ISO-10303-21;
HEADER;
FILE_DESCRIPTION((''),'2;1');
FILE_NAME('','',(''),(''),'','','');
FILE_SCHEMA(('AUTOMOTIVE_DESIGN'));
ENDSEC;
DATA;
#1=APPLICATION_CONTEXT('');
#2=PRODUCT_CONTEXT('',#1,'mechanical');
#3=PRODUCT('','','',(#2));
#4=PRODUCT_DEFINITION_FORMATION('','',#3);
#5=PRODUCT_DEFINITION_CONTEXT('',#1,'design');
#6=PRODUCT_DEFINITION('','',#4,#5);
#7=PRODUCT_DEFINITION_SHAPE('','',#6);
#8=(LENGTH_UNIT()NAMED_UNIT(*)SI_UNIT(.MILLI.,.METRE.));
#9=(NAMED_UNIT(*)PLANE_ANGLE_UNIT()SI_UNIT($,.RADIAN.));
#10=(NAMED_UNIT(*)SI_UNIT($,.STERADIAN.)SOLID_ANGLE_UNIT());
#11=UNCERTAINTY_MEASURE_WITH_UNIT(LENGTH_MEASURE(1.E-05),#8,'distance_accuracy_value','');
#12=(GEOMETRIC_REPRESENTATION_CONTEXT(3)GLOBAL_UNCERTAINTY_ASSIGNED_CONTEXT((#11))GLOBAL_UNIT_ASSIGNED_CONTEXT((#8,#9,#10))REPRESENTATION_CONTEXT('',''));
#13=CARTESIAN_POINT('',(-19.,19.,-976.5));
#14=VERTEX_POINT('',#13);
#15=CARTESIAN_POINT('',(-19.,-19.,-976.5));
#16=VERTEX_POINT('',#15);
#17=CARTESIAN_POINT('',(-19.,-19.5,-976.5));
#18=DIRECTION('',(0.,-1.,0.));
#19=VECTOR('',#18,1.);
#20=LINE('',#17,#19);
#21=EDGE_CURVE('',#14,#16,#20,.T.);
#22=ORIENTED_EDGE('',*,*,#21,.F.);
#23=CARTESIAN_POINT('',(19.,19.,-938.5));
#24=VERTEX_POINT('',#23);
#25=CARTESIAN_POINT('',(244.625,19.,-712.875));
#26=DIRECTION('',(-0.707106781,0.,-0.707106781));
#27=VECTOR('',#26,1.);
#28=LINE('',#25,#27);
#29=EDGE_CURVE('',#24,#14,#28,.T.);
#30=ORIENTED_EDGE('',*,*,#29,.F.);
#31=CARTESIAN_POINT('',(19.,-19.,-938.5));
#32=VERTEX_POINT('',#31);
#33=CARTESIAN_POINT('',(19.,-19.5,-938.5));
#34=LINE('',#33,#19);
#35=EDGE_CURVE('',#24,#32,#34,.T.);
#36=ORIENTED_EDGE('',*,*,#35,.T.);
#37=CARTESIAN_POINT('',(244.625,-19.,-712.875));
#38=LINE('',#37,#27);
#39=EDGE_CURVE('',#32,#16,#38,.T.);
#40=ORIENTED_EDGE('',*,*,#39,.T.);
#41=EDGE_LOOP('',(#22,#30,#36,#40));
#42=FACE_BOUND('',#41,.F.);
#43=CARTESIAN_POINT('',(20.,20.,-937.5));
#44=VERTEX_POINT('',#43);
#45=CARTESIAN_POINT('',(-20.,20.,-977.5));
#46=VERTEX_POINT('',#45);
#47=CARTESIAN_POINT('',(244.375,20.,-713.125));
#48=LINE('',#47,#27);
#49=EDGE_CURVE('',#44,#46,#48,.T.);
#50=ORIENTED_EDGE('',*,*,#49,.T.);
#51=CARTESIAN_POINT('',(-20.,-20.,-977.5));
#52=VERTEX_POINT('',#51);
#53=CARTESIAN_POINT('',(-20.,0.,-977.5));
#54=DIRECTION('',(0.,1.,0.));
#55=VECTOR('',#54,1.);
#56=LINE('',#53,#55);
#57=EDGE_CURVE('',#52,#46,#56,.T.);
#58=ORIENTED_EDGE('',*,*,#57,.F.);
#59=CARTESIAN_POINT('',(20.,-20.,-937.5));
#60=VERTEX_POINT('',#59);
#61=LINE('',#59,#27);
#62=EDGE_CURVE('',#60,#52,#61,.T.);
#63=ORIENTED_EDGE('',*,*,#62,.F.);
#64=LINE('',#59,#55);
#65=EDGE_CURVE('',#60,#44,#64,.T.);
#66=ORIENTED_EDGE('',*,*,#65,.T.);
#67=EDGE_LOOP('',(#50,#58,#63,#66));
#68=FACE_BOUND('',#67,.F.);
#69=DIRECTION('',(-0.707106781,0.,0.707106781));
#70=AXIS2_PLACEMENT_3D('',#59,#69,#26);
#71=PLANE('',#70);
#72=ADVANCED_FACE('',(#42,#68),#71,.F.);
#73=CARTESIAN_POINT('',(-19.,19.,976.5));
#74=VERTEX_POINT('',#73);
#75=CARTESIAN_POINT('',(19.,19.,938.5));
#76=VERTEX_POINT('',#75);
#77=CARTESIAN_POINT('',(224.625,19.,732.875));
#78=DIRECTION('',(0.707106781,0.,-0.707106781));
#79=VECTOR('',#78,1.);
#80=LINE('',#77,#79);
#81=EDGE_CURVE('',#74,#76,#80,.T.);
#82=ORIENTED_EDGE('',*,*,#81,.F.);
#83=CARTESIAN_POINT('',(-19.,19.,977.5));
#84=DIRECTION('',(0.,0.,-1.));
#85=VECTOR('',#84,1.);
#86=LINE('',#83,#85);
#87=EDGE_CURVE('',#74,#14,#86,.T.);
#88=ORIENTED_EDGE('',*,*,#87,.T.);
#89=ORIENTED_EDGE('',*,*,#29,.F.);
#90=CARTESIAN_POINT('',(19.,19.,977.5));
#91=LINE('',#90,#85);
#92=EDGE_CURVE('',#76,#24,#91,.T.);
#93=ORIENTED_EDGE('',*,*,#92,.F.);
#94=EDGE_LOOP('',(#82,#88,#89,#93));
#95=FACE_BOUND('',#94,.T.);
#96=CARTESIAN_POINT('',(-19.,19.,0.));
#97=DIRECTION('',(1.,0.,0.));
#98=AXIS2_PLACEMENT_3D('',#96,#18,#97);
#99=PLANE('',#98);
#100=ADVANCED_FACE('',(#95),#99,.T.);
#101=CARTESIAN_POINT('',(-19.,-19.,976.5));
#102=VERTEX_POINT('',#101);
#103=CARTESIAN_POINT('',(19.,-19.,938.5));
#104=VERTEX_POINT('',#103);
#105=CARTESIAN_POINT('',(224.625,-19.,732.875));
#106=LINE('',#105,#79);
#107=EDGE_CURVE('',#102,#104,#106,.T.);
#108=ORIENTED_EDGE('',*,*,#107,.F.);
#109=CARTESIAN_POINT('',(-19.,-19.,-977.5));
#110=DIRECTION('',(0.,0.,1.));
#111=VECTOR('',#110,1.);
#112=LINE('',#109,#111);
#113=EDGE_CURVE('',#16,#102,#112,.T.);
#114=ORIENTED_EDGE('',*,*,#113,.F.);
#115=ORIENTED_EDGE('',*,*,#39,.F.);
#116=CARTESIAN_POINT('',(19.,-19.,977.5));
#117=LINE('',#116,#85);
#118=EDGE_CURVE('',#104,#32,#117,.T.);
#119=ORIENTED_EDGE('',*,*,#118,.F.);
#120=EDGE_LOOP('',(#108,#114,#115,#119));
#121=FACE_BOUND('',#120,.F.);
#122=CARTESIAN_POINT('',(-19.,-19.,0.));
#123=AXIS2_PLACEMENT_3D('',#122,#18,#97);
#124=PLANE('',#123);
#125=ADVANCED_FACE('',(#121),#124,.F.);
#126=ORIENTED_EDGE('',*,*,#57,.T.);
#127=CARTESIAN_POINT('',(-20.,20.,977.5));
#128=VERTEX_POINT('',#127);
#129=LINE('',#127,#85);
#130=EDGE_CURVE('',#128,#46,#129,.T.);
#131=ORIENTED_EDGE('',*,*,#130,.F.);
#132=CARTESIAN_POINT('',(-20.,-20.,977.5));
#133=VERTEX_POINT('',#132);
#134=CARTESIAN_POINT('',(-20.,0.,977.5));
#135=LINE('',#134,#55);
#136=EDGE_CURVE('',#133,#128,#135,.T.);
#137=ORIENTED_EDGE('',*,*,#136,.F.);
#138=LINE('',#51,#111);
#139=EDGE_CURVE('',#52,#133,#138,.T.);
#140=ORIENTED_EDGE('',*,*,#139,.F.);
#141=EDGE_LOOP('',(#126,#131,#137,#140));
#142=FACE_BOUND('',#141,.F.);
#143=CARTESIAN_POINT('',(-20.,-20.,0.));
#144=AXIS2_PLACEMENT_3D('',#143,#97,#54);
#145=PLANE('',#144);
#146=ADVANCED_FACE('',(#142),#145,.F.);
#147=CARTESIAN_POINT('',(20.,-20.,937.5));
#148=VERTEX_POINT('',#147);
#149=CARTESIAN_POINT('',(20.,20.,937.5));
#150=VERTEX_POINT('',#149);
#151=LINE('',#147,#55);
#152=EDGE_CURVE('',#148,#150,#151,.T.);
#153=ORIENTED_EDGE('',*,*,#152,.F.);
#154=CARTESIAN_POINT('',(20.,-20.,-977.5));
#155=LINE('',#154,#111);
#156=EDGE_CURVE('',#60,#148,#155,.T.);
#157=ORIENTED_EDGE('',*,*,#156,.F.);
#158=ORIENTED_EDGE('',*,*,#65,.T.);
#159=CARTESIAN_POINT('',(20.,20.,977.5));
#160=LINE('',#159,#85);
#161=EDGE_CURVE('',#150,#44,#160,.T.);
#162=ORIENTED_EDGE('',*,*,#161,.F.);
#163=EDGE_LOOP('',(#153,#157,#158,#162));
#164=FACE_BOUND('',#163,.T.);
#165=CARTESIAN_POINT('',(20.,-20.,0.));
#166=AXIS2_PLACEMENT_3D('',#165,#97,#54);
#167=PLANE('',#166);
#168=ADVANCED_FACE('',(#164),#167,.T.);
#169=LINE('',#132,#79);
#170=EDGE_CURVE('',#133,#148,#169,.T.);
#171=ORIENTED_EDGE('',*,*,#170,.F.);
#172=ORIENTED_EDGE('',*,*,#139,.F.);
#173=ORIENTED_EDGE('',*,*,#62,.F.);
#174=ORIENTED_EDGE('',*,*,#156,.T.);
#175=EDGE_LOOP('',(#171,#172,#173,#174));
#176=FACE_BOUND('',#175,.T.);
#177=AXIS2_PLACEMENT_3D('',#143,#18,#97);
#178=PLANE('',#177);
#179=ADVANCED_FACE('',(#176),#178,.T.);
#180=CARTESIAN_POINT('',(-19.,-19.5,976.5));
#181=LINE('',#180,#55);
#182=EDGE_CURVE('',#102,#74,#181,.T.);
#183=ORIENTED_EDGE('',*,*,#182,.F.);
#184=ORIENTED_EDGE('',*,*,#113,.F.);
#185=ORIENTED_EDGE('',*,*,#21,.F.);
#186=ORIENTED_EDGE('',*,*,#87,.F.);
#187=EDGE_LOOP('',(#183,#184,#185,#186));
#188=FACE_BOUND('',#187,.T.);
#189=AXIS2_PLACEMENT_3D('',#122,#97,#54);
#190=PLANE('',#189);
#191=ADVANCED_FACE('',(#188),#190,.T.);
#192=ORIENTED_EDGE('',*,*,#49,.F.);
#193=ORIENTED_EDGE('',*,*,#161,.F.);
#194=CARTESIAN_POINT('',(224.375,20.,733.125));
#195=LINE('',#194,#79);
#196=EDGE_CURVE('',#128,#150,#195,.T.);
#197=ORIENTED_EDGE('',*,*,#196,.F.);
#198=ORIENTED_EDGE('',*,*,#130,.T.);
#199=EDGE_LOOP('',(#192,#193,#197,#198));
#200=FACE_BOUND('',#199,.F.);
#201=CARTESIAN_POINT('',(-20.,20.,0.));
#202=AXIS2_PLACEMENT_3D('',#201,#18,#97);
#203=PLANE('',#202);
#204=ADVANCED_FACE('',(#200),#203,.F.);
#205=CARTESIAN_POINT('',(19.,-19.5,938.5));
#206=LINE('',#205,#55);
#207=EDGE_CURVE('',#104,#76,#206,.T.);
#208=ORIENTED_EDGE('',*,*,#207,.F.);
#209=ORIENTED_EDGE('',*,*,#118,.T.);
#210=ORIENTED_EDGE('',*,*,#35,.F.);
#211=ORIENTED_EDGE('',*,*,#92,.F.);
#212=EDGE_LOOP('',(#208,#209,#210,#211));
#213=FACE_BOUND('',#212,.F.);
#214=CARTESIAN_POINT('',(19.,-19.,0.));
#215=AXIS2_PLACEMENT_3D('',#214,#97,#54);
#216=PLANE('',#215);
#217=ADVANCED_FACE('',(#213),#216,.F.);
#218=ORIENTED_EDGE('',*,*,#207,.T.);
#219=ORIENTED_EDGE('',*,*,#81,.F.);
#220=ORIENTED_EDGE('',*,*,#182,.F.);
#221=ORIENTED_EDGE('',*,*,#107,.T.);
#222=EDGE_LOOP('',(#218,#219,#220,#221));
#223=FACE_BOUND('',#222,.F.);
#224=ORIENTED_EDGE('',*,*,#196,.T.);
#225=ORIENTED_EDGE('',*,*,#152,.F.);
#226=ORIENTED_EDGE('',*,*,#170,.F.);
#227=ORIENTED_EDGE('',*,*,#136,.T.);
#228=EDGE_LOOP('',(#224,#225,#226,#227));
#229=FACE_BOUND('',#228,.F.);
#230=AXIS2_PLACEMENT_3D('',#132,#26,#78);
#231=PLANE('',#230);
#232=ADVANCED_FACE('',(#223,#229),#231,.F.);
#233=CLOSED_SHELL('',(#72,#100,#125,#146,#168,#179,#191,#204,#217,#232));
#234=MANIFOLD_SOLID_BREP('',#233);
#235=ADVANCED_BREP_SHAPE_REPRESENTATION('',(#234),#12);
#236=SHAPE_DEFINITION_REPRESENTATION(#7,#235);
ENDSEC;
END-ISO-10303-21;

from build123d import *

# Parameters (mm, degrees)
F0_W     = 40
F0_H     = 40
F0_W_2   = 38
F0_H_2   = 38
F1_DEPTH = 977.5
F3_DEPTH = 100


with BuildPart() as f1:
    # F0 (on Top) → F1 (new body, symmetric)
    with BuildSketch(Plane.XY):
        Rectangle(F0_W, F0_H)
        Rectangle(F0_W_2, F0_H_2, mode=Mode.SUBTRACT)
    extrude(amount=F1_DEPTH, both=True)

    # F2 (on face) → F3 (cut)
    with BuildSketch(Plane.XZ.offset(20)):
        Polygon((20, -937.5), (-20, -977.5), (20, -977.5), align=None)
        Polygon((20, 977.5), (-20, 977.5), (20, 937.5), align=None)
    extrude(amount=-F3_DEPTH, mode=Mode.SUBTRACT)


solid = f1.part
